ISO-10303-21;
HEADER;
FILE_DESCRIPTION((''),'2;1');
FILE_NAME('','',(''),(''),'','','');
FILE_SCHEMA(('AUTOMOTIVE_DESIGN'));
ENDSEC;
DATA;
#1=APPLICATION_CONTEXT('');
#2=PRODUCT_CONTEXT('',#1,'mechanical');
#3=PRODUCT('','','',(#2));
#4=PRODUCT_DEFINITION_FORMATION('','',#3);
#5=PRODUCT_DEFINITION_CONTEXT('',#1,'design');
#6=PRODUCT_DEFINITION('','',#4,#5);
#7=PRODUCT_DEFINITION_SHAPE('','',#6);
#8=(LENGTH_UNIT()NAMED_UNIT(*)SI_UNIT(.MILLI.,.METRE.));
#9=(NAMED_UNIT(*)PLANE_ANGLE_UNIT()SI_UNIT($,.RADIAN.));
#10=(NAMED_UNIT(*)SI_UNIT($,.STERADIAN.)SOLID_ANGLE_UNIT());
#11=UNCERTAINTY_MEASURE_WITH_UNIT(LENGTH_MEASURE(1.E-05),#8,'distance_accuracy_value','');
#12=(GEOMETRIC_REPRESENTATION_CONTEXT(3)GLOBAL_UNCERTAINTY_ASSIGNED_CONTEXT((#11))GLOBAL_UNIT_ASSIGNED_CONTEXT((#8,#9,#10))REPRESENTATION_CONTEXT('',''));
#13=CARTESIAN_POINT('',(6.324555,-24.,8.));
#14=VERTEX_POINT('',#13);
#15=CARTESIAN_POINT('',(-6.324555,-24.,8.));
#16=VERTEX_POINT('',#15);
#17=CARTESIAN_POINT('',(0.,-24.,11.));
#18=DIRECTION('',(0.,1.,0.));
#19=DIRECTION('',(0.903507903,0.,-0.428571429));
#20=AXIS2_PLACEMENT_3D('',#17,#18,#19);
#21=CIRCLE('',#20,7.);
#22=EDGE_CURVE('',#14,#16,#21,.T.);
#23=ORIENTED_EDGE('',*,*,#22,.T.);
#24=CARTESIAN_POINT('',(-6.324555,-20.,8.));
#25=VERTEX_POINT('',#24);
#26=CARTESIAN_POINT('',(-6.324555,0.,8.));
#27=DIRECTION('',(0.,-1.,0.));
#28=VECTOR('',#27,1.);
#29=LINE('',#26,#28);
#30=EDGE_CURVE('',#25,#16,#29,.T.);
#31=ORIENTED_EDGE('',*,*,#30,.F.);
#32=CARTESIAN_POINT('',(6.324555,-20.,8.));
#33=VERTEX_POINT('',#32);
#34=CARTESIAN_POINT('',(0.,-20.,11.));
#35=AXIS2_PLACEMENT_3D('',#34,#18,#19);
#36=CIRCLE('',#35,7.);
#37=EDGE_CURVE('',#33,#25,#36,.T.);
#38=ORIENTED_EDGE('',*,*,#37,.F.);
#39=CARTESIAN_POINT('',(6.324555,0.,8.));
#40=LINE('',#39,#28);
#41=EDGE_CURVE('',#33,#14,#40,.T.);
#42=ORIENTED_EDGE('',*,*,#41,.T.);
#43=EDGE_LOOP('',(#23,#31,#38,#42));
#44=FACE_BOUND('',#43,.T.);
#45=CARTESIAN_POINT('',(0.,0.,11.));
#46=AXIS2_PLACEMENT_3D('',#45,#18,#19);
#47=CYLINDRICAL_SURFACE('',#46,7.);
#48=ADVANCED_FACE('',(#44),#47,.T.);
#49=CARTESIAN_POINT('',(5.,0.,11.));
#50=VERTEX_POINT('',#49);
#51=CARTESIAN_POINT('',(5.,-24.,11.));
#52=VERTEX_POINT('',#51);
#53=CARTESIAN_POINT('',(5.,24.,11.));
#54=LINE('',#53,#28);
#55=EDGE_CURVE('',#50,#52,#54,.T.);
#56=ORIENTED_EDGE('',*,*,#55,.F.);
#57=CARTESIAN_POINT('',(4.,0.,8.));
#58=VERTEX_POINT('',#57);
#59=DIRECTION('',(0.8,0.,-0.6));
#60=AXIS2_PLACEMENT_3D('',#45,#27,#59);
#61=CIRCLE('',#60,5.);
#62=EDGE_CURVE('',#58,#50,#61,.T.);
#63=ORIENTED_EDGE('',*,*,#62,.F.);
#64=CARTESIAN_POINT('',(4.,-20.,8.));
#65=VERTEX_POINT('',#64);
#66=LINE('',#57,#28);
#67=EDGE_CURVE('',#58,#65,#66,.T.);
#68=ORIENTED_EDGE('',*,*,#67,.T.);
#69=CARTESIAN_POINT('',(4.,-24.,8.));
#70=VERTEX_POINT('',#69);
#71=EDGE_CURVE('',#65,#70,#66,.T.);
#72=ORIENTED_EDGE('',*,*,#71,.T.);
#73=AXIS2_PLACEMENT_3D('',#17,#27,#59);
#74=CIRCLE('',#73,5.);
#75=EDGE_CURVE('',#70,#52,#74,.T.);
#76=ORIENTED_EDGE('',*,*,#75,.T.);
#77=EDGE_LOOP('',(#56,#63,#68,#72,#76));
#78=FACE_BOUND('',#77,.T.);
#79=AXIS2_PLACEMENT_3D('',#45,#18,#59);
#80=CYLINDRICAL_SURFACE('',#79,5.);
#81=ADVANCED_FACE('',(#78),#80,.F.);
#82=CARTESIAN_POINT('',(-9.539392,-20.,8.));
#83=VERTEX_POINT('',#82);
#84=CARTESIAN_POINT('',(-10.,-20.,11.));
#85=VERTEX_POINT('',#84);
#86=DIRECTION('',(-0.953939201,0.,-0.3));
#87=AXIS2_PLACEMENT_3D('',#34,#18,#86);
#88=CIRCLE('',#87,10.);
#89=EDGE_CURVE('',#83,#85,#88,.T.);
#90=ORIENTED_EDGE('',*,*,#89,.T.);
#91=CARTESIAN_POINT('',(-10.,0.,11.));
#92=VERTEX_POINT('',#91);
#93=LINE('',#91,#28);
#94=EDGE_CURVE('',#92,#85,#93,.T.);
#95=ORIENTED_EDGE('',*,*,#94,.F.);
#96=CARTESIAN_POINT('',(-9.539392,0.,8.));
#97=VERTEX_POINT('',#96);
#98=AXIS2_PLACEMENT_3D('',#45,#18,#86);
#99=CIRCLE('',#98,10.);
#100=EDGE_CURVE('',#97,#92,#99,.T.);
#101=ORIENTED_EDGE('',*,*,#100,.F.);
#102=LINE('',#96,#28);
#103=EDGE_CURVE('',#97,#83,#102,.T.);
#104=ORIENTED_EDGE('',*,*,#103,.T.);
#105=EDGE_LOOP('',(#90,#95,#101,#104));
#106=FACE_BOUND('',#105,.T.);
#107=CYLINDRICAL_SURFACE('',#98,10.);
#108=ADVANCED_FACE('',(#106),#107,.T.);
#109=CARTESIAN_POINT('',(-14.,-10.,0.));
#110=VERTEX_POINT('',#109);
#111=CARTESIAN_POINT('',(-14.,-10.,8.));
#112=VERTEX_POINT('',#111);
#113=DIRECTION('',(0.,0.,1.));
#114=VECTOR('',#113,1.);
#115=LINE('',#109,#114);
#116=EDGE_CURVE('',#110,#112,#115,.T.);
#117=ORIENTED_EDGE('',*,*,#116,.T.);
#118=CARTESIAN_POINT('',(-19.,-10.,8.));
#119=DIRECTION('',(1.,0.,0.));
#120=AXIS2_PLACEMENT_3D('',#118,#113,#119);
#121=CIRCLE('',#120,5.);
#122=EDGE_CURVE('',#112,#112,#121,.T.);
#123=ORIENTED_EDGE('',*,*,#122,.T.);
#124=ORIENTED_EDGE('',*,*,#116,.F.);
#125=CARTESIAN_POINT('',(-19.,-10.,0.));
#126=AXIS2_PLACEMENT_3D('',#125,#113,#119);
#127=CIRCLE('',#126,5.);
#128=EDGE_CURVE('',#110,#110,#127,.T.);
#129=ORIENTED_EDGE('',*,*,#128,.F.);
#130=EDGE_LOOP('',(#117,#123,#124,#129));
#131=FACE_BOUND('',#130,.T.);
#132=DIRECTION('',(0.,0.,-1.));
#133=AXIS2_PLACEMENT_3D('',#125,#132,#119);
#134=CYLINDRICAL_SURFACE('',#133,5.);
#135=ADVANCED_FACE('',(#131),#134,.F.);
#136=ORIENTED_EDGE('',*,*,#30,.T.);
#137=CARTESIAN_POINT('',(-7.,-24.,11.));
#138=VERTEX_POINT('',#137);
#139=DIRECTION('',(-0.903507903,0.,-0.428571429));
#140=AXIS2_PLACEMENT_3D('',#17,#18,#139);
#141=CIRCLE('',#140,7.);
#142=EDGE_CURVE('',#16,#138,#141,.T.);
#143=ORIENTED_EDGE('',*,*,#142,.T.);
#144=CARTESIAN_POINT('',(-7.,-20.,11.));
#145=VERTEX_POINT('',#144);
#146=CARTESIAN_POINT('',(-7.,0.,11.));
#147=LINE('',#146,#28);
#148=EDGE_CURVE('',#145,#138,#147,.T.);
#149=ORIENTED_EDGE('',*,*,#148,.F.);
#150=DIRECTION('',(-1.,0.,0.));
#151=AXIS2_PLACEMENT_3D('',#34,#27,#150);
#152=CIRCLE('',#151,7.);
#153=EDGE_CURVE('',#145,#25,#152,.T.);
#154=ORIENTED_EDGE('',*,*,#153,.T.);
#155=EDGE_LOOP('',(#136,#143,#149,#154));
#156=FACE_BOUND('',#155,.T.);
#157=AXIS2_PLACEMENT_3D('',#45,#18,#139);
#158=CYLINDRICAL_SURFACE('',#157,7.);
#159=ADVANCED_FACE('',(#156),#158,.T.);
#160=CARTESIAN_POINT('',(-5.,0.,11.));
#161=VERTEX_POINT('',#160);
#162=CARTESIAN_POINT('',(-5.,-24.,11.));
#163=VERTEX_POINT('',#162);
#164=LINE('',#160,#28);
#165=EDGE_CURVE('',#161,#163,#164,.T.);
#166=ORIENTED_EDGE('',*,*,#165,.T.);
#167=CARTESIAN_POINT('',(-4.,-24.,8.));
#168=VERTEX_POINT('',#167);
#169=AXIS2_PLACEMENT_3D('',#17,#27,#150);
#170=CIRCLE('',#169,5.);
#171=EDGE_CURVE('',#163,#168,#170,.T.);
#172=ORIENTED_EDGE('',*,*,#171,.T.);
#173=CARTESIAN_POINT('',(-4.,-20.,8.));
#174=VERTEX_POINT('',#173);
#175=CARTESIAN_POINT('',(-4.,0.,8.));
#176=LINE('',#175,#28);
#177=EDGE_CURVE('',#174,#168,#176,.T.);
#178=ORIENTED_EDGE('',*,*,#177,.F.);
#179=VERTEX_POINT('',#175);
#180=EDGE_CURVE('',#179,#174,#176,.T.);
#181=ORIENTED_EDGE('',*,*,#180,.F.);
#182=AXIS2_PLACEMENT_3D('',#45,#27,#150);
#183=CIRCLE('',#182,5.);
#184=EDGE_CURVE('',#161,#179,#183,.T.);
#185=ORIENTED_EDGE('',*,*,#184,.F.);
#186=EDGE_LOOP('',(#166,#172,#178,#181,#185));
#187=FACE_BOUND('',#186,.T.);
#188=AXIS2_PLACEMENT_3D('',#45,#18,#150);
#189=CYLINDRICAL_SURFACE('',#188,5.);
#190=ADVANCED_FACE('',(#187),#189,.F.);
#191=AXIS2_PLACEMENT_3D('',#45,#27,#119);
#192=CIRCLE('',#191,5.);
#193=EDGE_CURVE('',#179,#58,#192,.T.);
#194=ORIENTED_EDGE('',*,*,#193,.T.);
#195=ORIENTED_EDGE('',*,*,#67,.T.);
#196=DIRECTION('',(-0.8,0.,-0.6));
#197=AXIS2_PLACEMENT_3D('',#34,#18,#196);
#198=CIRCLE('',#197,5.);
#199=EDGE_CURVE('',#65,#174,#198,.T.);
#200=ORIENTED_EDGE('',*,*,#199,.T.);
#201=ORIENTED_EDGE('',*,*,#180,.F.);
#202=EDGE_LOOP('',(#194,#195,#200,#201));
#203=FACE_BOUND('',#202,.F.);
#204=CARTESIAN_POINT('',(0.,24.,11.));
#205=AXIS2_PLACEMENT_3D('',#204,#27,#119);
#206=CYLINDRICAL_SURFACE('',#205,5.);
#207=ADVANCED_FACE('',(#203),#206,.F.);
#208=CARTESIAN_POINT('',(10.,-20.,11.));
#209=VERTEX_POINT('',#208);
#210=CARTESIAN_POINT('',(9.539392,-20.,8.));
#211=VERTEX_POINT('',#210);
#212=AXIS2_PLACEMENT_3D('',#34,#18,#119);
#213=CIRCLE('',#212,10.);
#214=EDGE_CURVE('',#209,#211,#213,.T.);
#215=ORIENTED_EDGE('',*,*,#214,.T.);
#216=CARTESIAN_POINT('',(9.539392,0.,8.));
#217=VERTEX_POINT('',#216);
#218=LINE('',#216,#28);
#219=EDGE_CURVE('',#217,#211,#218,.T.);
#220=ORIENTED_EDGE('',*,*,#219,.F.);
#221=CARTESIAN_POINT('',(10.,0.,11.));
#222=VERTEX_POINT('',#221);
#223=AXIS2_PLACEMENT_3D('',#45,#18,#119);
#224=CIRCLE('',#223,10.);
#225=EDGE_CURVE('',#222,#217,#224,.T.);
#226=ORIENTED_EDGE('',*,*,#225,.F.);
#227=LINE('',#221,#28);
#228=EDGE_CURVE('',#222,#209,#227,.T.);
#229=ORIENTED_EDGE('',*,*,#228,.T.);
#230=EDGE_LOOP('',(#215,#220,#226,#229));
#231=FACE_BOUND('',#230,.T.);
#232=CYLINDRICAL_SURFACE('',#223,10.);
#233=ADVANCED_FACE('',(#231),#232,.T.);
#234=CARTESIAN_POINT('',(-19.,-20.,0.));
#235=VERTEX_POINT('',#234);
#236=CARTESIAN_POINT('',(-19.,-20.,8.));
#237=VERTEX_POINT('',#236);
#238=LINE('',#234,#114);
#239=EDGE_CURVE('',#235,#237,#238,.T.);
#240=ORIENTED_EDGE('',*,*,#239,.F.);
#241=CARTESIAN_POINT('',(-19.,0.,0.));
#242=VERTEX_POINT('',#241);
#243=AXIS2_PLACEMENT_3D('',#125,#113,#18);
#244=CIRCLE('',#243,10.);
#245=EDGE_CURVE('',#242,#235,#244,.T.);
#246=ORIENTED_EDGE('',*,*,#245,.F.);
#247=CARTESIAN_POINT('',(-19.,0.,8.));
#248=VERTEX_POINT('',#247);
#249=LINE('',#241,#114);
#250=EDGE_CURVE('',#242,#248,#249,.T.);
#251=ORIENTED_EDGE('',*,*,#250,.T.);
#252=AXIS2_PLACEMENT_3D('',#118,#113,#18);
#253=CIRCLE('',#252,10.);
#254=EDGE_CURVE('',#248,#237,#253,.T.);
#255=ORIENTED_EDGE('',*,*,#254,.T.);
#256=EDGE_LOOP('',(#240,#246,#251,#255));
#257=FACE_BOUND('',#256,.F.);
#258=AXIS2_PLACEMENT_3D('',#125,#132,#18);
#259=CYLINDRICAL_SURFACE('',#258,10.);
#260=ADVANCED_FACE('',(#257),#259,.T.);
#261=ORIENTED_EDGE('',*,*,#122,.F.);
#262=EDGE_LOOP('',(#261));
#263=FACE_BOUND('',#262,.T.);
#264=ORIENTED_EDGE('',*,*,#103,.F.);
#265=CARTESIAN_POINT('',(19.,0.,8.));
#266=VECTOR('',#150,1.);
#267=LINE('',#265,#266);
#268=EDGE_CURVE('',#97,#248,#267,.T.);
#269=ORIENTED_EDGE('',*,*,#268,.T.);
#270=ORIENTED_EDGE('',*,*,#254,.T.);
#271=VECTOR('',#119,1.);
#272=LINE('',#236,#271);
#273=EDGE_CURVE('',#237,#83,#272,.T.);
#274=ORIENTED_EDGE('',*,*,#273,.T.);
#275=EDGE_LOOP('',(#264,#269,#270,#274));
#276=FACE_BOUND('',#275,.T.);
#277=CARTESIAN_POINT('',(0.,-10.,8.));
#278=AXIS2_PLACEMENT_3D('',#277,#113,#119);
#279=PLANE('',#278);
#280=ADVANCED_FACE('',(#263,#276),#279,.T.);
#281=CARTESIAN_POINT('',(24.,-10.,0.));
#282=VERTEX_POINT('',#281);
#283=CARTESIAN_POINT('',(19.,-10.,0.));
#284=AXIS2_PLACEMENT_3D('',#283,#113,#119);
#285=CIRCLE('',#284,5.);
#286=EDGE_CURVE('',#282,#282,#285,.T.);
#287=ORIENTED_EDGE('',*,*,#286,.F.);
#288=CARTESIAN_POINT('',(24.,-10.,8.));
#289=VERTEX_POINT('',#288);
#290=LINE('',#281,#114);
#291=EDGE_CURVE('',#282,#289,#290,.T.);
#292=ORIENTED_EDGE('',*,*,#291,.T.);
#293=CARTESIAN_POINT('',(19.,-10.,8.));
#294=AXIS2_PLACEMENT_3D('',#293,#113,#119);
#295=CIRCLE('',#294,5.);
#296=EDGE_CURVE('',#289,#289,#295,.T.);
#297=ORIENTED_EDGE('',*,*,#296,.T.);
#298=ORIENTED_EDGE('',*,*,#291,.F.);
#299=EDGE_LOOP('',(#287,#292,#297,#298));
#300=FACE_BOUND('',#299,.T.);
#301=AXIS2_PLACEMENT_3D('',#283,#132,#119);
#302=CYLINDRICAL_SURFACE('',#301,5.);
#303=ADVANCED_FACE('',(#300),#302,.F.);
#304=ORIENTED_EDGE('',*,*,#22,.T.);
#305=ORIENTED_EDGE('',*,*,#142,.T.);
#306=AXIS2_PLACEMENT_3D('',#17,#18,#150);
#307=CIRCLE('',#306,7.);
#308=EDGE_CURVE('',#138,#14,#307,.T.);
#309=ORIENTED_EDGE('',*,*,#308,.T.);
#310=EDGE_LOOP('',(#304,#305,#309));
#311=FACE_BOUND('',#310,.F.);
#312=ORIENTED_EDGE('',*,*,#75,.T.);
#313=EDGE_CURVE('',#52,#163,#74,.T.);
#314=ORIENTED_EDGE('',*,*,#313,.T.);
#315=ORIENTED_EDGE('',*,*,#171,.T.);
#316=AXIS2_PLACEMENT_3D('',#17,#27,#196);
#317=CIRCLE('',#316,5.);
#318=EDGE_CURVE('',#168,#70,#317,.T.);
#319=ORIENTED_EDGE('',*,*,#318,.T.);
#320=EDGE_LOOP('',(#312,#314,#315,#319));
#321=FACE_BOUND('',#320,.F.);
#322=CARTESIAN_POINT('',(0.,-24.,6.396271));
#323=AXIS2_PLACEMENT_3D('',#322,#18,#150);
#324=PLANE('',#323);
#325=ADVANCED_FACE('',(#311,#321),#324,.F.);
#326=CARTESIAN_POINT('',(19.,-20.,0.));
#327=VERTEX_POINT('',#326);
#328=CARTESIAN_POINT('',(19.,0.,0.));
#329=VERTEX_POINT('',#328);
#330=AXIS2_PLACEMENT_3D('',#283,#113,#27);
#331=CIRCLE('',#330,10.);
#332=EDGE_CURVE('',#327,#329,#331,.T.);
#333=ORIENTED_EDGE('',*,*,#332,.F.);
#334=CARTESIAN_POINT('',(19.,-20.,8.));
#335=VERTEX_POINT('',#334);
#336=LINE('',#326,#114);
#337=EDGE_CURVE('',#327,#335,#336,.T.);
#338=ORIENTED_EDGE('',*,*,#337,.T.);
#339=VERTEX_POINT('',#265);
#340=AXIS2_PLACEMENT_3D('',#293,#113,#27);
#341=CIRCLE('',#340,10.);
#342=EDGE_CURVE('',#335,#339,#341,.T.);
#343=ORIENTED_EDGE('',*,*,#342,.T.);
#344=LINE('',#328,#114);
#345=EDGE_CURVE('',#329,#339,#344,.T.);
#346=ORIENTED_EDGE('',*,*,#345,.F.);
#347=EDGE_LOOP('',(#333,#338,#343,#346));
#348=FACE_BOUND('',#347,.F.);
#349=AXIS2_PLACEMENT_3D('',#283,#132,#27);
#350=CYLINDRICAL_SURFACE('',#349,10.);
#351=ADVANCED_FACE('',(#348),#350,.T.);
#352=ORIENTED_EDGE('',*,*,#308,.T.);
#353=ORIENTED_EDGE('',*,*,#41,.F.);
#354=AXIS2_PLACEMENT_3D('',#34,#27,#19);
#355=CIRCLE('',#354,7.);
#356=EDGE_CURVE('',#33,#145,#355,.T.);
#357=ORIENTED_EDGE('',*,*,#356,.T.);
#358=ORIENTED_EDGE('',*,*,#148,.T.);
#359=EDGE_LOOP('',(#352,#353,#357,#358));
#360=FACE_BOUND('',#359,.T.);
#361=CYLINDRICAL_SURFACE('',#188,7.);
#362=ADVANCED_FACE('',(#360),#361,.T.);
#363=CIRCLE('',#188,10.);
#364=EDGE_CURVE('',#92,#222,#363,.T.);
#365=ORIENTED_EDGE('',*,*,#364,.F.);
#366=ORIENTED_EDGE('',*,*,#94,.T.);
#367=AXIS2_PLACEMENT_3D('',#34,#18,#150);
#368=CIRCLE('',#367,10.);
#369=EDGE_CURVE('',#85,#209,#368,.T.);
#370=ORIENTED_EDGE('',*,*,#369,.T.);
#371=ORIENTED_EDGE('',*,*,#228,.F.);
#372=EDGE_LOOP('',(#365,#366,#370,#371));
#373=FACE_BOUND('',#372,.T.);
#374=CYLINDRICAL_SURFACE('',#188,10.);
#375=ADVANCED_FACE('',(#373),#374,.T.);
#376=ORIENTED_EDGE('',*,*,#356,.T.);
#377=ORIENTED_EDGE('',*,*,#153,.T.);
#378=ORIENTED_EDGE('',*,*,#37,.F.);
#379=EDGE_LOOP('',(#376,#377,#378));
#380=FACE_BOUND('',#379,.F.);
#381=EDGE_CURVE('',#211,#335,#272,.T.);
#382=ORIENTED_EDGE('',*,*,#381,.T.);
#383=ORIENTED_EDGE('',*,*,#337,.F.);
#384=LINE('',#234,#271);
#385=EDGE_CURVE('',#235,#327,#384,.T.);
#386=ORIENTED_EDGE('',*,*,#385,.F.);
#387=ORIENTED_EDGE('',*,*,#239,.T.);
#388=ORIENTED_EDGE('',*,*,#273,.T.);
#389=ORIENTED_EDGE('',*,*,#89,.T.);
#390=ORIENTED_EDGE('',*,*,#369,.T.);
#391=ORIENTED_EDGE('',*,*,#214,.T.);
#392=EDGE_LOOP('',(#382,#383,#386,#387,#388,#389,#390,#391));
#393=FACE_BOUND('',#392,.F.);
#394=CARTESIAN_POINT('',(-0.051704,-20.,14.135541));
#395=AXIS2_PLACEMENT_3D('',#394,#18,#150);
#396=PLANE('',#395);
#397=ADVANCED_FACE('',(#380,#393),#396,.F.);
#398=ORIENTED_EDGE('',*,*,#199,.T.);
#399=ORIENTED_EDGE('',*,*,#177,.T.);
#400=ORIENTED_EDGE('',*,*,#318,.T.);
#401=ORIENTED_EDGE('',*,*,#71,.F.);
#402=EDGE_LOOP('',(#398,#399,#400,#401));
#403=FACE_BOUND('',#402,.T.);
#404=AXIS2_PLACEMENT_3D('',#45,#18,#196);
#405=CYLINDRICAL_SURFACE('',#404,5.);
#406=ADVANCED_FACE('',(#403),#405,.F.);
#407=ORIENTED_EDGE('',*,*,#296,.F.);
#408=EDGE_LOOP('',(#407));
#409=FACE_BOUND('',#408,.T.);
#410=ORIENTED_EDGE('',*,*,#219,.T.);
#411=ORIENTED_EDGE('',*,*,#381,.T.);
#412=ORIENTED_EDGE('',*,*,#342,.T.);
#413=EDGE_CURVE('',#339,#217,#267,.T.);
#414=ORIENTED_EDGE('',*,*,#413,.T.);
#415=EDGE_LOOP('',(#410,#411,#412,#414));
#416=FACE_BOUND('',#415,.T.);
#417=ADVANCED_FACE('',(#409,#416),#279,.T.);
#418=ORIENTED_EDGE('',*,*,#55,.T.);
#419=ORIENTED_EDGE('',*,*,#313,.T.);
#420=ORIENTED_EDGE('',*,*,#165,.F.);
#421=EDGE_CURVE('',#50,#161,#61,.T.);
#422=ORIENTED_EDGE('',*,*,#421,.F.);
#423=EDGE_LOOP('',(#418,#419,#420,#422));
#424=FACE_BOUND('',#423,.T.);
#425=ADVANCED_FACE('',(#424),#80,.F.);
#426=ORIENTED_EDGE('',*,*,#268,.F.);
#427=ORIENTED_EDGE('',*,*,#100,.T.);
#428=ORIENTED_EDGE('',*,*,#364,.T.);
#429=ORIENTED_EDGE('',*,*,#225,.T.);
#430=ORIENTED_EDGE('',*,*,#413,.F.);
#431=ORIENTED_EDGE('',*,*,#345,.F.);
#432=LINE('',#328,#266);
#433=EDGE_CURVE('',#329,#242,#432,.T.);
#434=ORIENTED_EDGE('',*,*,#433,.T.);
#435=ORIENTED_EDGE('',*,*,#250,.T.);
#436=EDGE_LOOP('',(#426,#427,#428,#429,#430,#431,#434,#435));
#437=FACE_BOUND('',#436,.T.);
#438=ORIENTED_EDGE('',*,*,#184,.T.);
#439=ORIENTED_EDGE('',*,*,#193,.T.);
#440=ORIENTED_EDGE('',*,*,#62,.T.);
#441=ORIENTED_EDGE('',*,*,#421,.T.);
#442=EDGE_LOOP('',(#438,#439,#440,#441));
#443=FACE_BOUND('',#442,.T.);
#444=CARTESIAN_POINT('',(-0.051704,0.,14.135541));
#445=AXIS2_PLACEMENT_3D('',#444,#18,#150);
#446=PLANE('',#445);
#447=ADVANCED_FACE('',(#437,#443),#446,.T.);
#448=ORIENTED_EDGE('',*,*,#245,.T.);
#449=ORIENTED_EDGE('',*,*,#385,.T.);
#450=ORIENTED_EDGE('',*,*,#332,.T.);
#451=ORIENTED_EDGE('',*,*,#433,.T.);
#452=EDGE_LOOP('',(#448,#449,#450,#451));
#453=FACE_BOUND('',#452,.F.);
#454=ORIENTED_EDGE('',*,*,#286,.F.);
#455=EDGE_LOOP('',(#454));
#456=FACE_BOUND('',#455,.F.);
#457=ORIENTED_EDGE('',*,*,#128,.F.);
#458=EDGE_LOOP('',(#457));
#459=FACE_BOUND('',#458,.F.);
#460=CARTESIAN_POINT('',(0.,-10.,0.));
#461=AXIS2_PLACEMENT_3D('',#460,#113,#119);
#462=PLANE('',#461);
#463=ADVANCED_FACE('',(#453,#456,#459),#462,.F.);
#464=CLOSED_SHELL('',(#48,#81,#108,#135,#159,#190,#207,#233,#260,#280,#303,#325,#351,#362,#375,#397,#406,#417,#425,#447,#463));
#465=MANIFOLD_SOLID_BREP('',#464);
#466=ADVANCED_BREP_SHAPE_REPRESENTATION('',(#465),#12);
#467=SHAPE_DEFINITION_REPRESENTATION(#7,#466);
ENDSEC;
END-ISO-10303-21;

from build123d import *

# Parameters (mm, degrees)
F0_R     = 5
F1_DEPTH = 8
F3_DEPTH = 24
F4_DEPTH = 20
F5_D     = 10
F5_DEPTH = 24
F5_TIP   = 3.0043030951


with BuildPart() as f1:
    # F0 (on Top) → F1 (new body)
    with BuildSketch(Plane.XY):
        with BuildLine():
            Line((19, 0), (0, 0))
            Line((0, 0), (-19, 0))
            ThreePointArc((-19, 0), (-29, -10), (-19, -20))
            Line((-19, -20), (0, -20))
            Line((0, -20), (19, -20))
            ThreePointArc((19, -20), (29, -10), (19, 0))
        make_face()
        with Locations((-19, -10)):
            Circle(F0_R, mode=Mode.SUBTRACT)
        with Locations((19, -10)):
            Circle(F0_R, mode=Mode.SUBTRACT)
    extrude(amount=F1_DEPTH)

    # F2 (on face) → F3 (join)
    with BuildSketch(Plane(origin=(0, 0, 0), x_dir=(-1, 0, 0), z_dir=(0, 1, 0))):
        with BuildLine():
            ThreePointArc((4, 8), (0, 6), (-4, 8))
            Line((-4, 8), (-6.3245553203, 8))
            ThreePointArc((-6.3245553203, 8), (0, 4), (6.3245553203, 8))
            Line((6.3245553203, 8), (4, 8))
        make_face()
        with BuildLine():
            ThreePointArc((-4, 8), (-1.5811388301, 15.7434164903), (5, 11))
            ThreePointArc((5, 11), (4.7434164903, 9.4188611699), (4, 8))
            Line((4, 8), (6.3245553203, 8))
            ThreePointArc((6.3245553203, 8), (6.8290514437, 9.4624511784), (7, 11))
            ThreePointArc((7, 11), (-1.5375488216, 17.8290514437), (-6.3245553203, 8))
            Line((-6.3245553203, 8), (-4, 8))
        make_face()
    extrude(amount=-F3_DEPTH)

    # F2 (on face) → F4 (join)
    with BuildSketch(Plane(origin=(0, 0, 0), x_dir=(-1, 0, 0), z_dir=(0, 1, 0))):
        with BuildLine():
            Line((-9.5393920142, 8), (-6.3245553203, 8))
            ThreePointArc((-6.3245553203, 8), (-1.5375488216, 17.8290514437), (7, 11))
            ThreePointArc((7, 11), (6.8290514437, 9.4624511784), (6.3245553203, 8))
            Line((6.3245553203, 8), (9.5393920142, 8))
            ThreePointArc((9.5393920142, 8), (9.8841772582, 9.4824230072), (10, 11))
            ThreePointArc((10, 11), (0, 21), (-10, 11))
            ThreePointArc((-10, 11), (-9.8841772582, 9.4824230072), (-9.5393920142, 8))
        make_face()
    extrude(amount=-F4_DEPTH)

    # F5
    with Locations(Plane(origin=(0, 0, 0), x_dir=(-1, 0, 0), z_dir=(0, 1, 0))):
        with Locations((0, 11)):
            Hole(F5_D / 2, depth=F5_DEPTH)
            with Locations((0, 0, -(F5_DEPTH + F5_TIP / 2))):  # 118° drill point
                Cone(0, F5_D / 2, F5_TIP, mode=Mode.SUBTRACT)


solid = f1.part
